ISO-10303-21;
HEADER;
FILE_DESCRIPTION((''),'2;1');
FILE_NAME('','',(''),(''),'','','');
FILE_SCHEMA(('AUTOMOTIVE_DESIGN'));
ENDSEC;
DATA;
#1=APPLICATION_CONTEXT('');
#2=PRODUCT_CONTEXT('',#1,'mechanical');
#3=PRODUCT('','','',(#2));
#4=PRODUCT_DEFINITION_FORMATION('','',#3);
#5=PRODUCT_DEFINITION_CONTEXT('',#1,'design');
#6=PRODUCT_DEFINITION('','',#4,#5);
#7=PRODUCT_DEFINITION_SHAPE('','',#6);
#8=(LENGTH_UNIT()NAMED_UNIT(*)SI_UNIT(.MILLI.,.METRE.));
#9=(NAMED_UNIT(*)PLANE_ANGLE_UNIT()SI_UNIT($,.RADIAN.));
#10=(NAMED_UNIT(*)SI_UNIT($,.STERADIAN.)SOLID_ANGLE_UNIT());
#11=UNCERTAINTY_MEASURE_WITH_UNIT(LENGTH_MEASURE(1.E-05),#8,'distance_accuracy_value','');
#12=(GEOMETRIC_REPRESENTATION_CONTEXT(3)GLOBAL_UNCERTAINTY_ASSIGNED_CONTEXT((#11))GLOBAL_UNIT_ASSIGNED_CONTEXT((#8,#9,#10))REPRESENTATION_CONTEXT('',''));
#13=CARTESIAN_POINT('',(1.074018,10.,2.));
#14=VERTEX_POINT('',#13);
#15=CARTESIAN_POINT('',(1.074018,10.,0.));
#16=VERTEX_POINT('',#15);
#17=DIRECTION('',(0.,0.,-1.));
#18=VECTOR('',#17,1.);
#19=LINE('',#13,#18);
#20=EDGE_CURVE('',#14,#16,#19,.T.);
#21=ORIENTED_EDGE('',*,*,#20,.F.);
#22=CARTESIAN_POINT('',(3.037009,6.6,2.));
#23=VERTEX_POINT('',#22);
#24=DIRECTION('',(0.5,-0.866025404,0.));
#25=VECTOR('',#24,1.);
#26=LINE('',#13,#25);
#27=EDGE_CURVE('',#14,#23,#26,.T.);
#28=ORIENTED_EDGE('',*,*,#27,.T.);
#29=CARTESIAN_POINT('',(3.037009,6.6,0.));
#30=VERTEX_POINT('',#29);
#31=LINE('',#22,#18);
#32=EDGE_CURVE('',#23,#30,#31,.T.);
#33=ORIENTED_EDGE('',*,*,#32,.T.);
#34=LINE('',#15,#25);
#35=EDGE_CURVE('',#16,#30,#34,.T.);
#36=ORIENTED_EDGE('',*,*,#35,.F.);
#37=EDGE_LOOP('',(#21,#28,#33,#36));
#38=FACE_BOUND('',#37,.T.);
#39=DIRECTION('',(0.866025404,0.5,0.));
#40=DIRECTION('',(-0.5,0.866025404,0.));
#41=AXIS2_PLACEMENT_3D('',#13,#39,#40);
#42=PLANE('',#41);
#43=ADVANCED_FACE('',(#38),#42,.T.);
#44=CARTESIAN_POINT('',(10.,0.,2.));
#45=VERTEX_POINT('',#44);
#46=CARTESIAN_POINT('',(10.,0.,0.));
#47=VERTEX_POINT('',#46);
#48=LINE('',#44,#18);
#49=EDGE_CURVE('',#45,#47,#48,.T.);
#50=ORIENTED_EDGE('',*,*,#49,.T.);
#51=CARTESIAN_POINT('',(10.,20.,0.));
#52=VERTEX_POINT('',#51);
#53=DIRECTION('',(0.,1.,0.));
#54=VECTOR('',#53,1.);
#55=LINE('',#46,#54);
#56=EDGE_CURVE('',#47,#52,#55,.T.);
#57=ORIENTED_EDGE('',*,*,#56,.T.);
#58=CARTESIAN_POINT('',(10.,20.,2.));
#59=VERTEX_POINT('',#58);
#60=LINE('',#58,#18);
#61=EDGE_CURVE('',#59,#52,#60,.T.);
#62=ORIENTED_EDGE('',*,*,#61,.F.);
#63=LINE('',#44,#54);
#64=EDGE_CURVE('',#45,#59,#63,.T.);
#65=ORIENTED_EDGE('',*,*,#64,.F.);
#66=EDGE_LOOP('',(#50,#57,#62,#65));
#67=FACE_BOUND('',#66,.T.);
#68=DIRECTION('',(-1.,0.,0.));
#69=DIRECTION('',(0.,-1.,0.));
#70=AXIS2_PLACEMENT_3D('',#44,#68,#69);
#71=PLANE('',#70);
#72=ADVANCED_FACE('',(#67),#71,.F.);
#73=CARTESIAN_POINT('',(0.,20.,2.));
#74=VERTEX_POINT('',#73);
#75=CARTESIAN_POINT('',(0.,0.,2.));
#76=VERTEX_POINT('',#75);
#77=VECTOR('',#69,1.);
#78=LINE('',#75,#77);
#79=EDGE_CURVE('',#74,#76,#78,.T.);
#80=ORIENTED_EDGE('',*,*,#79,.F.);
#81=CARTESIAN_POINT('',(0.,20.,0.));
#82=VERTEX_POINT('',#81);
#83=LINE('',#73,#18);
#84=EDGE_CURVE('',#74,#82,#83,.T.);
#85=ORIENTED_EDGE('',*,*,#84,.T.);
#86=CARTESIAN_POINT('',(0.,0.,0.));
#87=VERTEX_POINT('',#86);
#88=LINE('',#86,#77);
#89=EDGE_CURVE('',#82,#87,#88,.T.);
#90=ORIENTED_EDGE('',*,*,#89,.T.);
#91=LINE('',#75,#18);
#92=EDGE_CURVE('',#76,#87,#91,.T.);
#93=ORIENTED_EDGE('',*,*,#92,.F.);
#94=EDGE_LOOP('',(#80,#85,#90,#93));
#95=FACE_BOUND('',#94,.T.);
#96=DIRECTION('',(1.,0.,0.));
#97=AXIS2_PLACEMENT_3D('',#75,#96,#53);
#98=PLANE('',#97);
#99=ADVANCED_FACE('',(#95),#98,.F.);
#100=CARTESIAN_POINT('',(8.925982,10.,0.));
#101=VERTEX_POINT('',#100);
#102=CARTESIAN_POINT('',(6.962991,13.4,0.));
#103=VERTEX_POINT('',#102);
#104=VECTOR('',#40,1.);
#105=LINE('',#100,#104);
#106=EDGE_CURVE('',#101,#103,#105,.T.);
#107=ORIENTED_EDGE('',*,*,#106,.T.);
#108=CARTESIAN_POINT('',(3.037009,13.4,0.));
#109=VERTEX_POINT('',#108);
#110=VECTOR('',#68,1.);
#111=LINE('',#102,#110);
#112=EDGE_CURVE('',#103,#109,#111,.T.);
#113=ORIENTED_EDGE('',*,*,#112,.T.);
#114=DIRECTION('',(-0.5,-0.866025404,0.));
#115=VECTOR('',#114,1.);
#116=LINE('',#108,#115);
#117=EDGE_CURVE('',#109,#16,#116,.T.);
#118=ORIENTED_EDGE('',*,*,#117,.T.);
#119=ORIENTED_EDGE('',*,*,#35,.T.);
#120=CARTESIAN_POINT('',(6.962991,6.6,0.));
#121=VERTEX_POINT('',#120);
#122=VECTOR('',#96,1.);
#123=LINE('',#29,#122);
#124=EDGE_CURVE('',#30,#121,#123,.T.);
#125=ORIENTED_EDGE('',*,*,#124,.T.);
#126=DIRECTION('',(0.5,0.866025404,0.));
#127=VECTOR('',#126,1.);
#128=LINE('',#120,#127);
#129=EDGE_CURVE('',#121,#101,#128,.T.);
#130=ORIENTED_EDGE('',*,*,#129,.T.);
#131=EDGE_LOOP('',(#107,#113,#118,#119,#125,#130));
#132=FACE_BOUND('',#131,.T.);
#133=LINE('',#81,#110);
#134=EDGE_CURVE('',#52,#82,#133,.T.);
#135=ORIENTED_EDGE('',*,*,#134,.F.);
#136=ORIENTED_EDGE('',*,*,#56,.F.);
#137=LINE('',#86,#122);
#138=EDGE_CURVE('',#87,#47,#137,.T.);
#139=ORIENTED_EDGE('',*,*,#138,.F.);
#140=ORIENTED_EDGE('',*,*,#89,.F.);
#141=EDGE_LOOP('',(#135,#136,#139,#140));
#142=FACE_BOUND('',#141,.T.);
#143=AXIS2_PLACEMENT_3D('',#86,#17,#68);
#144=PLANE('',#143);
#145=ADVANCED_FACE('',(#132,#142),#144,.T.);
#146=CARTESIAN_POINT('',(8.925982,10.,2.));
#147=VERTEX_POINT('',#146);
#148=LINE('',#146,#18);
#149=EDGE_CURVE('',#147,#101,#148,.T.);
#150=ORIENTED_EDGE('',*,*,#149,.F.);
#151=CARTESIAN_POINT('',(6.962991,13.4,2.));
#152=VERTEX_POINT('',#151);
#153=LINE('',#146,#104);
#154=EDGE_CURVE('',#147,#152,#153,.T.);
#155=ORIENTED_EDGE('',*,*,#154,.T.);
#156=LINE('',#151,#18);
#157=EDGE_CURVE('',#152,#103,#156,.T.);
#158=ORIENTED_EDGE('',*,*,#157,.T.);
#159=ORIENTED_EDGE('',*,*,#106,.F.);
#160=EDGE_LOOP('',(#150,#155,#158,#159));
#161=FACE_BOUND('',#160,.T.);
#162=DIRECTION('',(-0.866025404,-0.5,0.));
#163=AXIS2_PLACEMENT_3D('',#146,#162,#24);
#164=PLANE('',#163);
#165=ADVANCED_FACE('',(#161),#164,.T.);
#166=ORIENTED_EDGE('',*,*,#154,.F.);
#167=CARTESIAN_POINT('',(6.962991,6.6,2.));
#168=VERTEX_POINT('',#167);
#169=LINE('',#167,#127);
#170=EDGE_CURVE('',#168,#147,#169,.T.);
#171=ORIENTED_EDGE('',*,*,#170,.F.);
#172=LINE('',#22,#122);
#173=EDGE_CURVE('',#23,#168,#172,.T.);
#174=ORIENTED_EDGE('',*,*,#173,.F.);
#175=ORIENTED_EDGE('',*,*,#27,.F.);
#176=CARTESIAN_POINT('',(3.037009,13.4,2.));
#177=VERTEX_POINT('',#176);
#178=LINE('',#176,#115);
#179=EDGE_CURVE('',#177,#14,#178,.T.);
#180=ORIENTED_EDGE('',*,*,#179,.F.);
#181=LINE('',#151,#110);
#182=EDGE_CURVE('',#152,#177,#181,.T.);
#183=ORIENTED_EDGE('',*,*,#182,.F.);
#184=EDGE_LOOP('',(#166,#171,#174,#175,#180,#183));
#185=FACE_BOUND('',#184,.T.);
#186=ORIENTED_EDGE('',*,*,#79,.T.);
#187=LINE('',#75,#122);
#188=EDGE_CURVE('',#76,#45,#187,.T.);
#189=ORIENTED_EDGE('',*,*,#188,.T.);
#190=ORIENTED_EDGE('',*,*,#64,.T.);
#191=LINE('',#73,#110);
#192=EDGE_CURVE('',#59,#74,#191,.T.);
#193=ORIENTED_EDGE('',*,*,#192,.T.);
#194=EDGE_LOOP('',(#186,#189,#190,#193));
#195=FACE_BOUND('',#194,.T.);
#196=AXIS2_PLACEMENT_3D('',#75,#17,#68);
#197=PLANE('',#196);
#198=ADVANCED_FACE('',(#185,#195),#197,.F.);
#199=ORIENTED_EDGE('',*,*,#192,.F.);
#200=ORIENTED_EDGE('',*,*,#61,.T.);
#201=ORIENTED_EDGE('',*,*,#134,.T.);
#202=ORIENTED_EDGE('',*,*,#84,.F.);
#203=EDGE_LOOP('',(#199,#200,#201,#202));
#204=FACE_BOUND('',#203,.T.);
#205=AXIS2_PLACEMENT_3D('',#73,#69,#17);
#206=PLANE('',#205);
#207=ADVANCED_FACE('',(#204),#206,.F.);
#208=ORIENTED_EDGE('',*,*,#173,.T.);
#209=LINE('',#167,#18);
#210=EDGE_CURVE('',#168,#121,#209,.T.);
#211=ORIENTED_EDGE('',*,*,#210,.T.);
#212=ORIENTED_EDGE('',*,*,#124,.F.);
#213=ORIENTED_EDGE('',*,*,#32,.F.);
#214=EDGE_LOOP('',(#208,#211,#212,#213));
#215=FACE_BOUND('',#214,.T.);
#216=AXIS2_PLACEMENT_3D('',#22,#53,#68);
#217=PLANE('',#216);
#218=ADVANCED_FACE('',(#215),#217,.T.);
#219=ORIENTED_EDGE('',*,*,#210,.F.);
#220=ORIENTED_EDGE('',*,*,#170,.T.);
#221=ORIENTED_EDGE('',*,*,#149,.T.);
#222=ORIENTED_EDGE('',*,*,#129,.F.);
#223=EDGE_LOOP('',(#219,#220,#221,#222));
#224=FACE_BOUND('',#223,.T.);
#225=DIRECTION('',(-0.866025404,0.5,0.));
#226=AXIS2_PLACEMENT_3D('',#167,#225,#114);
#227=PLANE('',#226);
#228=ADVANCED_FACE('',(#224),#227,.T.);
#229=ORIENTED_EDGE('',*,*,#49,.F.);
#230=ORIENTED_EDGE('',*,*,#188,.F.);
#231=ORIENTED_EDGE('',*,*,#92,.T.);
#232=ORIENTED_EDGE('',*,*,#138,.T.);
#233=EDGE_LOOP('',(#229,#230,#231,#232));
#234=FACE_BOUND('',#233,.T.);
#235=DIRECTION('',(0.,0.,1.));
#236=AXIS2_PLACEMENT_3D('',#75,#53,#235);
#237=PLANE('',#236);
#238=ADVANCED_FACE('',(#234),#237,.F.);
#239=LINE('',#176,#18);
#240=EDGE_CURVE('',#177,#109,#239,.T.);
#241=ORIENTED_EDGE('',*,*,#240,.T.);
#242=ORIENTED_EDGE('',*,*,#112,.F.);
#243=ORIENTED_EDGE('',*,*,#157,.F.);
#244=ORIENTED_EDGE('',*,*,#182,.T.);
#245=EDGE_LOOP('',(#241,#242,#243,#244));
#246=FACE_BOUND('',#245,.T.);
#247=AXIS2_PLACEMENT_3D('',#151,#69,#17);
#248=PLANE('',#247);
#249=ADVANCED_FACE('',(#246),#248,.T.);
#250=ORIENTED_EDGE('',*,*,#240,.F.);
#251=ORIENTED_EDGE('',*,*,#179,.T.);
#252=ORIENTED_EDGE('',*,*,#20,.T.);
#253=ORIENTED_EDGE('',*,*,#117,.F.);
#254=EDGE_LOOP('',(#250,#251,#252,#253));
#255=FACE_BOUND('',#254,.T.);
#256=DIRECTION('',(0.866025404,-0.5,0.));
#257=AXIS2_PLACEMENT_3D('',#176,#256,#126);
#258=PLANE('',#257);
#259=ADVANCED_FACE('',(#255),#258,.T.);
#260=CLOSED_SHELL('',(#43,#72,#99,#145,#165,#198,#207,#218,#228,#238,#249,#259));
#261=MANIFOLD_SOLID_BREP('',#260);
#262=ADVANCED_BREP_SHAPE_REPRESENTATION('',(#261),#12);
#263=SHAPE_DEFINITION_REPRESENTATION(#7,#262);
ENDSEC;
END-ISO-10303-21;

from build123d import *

# Parameters (mm, degrees)
SKETCH1_W           = 10
SKETCH1_H           = 20
BOSS_EXTRUDE1_DEPTH = 2


with BuildPart() as part:
    # Sketch1 → Boss-Extrude1 (new body)
    with BuildSketch(Plane.XY):
        with Locations((5, 10)):
            Rectangle(SKETCH1_W, SKETCH1_H)
        Polygon((6.962990915, 6.6), (8.92598183, 10), (6.962990915, 13.4), (3.037009085, 13.4), (1.07401817, 10), (3.037009085, 6.6), align=None, mode=Mode.SUBTRACT)
    extrude(amount=BOSS_EXTRUDE1_DEPTH)


solid = part.part
